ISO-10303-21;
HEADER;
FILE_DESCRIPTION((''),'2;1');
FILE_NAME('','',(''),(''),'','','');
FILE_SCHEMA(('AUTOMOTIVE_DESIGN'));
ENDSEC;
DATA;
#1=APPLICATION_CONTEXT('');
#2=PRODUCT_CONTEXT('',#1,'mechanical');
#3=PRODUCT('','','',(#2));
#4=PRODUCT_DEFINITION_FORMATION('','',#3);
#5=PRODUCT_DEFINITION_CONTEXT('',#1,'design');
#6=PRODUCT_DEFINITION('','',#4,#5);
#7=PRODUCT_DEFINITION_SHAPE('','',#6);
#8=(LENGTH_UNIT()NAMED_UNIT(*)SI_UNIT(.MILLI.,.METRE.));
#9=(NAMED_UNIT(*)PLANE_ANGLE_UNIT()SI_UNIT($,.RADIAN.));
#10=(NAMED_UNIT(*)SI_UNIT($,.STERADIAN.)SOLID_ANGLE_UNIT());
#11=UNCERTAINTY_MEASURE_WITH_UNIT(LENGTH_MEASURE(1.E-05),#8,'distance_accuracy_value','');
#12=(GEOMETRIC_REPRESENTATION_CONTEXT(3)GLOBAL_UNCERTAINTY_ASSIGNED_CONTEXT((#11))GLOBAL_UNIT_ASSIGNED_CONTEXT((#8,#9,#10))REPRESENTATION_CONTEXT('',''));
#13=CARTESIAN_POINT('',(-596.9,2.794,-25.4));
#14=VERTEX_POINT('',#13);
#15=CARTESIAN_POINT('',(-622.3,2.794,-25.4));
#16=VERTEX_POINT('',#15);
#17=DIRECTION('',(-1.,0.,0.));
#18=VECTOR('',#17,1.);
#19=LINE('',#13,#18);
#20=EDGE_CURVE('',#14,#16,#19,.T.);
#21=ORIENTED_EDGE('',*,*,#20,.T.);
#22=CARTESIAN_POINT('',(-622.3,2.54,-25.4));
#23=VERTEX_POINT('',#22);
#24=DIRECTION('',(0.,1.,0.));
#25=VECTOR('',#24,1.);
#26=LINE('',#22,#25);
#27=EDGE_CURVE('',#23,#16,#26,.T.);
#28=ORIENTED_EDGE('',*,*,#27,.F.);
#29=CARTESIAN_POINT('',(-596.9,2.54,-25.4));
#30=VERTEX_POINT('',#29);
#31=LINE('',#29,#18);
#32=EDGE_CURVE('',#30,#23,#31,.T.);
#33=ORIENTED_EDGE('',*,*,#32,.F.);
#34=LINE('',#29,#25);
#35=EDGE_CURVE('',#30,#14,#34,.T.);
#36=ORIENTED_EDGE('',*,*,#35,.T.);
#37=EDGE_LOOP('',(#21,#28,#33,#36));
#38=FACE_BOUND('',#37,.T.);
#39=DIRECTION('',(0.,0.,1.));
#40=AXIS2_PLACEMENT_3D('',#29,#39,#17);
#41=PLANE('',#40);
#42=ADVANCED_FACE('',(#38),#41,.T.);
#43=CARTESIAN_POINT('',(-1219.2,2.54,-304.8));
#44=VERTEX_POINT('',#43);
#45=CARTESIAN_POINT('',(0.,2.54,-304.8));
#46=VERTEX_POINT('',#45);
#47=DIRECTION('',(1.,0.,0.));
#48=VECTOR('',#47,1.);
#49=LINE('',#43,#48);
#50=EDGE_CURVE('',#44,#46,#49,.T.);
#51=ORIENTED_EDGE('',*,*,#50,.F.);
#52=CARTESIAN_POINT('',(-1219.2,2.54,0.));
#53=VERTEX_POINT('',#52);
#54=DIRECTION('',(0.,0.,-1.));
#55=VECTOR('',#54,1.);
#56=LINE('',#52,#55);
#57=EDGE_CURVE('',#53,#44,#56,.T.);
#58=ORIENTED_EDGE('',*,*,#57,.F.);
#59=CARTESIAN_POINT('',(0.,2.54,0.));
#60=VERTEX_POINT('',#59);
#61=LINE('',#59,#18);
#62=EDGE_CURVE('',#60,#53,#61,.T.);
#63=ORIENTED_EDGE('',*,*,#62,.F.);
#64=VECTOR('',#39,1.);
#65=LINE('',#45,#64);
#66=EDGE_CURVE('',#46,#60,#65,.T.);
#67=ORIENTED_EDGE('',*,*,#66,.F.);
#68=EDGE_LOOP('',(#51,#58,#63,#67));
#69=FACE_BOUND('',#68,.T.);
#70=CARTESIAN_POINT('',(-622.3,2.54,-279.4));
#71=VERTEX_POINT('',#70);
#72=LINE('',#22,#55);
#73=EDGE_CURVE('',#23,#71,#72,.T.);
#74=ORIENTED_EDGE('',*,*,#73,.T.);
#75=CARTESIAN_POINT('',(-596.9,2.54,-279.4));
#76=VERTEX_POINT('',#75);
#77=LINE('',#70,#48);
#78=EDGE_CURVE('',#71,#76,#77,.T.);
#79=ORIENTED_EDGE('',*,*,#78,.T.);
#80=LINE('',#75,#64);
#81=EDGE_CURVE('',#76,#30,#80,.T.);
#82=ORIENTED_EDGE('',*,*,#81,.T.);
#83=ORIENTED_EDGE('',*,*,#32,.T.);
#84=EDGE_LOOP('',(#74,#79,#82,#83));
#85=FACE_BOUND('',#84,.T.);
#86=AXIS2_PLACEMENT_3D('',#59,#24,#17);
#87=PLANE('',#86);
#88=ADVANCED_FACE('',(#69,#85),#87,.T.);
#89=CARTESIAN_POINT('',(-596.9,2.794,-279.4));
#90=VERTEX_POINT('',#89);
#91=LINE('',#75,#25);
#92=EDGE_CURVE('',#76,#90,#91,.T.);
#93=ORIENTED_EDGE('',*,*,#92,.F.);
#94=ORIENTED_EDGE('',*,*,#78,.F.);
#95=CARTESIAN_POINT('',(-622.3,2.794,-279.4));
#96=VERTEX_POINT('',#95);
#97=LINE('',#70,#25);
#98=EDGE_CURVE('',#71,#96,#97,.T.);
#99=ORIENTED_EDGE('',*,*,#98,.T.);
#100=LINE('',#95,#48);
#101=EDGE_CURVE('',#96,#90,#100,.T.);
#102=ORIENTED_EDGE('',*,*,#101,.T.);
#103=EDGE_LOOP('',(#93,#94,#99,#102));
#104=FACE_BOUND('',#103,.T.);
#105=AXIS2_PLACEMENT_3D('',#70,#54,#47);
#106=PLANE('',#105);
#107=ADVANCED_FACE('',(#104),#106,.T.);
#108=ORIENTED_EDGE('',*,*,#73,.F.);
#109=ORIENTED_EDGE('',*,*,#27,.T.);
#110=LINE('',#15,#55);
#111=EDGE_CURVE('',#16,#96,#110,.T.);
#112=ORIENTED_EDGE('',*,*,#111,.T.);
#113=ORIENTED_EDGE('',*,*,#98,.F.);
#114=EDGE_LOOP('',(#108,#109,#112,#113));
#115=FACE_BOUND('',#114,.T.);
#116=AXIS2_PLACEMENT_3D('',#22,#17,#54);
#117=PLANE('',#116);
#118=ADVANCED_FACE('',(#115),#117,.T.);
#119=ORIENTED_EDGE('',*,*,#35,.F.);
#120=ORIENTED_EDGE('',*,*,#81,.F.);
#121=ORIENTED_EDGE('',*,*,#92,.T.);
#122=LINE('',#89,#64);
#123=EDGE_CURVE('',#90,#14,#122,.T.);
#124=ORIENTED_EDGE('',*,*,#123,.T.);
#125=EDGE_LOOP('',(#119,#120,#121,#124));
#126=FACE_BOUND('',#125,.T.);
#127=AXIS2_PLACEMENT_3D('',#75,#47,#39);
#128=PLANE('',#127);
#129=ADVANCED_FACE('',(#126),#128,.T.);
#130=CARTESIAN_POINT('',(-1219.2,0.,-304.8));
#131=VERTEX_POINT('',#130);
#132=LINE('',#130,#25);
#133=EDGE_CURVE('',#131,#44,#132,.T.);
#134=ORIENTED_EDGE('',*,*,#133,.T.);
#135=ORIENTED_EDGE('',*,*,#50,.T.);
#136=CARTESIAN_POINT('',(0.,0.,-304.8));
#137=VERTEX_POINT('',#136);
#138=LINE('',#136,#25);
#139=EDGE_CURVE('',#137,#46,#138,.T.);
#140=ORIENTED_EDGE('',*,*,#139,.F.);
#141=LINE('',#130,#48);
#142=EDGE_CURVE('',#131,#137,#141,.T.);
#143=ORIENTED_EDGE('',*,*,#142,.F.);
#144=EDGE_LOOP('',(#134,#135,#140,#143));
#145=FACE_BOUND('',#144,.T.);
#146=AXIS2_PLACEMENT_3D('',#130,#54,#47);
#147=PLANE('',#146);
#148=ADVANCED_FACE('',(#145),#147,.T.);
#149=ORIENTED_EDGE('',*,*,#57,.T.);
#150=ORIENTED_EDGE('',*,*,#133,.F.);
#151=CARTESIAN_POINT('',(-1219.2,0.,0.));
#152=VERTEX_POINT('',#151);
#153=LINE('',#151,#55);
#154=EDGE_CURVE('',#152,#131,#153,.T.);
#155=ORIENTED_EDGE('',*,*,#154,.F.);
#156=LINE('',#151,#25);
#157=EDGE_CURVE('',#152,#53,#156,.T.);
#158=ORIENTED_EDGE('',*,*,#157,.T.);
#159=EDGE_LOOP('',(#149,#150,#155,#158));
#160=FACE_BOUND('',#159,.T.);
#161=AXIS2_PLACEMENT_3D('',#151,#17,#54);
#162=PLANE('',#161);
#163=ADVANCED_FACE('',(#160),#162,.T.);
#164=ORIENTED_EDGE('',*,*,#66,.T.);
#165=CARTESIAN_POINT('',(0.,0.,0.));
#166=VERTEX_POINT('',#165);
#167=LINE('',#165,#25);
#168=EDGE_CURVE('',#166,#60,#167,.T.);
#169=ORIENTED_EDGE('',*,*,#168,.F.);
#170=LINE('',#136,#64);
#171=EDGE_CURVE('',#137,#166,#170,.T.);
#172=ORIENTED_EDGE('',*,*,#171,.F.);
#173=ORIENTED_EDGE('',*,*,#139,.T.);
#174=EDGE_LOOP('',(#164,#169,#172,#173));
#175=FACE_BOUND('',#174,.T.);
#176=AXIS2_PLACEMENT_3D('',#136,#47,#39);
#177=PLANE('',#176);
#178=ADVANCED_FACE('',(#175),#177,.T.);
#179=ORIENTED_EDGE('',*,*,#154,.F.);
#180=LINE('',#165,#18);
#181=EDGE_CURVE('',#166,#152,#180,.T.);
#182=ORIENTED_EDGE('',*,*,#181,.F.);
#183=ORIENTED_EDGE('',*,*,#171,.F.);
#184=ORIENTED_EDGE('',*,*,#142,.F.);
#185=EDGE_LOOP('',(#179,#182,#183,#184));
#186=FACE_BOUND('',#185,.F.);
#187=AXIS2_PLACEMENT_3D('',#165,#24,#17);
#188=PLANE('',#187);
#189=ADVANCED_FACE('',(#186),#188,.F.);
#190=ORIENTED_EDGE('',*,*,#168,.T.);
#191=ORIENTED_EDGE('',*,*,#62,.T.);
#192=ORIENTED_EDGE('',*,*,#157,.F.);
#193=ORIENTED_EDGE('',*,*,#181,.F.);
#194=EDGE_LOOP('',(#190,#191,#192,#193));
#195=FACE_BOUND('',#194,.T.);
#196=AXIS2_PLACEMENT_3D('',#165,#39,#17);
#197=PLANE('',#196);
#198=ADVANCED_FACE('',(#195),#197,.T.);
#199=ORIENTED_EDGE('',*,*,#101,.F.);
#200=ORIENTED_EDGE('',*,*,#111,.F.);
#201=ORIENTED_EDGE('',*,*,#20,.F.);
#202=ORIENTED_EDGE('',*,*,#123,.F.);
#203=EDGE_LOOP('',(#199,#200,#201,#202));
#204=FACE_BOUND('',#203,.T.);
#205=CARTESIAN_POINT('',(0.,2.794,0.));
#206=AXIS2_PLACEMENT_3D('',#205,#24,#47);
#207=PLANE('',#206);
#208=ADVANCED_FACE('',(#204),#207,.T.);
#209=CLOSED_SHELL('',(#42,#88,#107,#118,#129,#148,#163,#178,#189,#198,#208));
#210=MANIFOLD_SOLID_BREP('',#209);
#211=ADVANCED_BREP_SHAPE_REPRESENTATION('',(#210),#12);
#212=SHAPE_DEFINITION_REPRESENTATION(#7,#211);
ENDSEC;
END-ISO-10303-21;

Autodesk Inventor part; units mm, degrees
ref_plane "YZ Plane" through (0, 0, 0) normal (1, 0, 0) x (0, 1, 0)
ref_plane "XZ Plane" through (0, 0, 0) normal (0, 1, 0) x (-1, 0, 0)
ref_plane "XY Plane" through (0, 0, 0) normal (0, 0, 1) x (1, 0, 0)
sketch "Sketch1" plane through (0, 0, 0) normal (0, 1, 0) x (-1, 0, 0)
  line L0 (0, 0) -> (1219.2, 0)
  line L1 (1219.2, 0) -> (1219.2, -304.8)
  line L2 (1219.2, -304.8) -> (0, -304.8)
  line L3 (0, -304.8) -> (0, 0)
  dimension "d0" = 1219.2
  dimension "d1" = 304.8
extrude "Extrusion1" add sketch "Sketch1" along normal blind 2.54
sketch "Sketch2" plane through (0, 2.54, 0) normal (0, 1, 0) x (1, 0, 0)
  line L0 (-622.3, 279.4) -> (-596.9, 279.4)
  line L1 (-596.9, 279.4) -> (-596.9, 25.4)
  line L2 (-596.9, 25.4) -> (-622.3, 25.4)
  line L3 (-622.3, 25.4) -> (-622.3, 279.4)
  line L4 (-609.6, 791.1574) -> (-609.6, -567.1744) construction
  line L5 (0, 0) -> (0, 304.8) projected
  line L6 (0, 304.8) -> (-1219.2, 304.8) projected
  dimension "d4" = 254
  dimension "d5" = 25.4
  dimension "d6" = 609.6
  dimension "d7" = 12.7
  dimension "d8" = 25.4
extrude "Extrusion2" add sketch "Sketch2" along normal blind 0.254
equation "\"d7\" = 0.5 * d5"
equation "\"d8\" = d5"
properties part number "black_mid_empty"
